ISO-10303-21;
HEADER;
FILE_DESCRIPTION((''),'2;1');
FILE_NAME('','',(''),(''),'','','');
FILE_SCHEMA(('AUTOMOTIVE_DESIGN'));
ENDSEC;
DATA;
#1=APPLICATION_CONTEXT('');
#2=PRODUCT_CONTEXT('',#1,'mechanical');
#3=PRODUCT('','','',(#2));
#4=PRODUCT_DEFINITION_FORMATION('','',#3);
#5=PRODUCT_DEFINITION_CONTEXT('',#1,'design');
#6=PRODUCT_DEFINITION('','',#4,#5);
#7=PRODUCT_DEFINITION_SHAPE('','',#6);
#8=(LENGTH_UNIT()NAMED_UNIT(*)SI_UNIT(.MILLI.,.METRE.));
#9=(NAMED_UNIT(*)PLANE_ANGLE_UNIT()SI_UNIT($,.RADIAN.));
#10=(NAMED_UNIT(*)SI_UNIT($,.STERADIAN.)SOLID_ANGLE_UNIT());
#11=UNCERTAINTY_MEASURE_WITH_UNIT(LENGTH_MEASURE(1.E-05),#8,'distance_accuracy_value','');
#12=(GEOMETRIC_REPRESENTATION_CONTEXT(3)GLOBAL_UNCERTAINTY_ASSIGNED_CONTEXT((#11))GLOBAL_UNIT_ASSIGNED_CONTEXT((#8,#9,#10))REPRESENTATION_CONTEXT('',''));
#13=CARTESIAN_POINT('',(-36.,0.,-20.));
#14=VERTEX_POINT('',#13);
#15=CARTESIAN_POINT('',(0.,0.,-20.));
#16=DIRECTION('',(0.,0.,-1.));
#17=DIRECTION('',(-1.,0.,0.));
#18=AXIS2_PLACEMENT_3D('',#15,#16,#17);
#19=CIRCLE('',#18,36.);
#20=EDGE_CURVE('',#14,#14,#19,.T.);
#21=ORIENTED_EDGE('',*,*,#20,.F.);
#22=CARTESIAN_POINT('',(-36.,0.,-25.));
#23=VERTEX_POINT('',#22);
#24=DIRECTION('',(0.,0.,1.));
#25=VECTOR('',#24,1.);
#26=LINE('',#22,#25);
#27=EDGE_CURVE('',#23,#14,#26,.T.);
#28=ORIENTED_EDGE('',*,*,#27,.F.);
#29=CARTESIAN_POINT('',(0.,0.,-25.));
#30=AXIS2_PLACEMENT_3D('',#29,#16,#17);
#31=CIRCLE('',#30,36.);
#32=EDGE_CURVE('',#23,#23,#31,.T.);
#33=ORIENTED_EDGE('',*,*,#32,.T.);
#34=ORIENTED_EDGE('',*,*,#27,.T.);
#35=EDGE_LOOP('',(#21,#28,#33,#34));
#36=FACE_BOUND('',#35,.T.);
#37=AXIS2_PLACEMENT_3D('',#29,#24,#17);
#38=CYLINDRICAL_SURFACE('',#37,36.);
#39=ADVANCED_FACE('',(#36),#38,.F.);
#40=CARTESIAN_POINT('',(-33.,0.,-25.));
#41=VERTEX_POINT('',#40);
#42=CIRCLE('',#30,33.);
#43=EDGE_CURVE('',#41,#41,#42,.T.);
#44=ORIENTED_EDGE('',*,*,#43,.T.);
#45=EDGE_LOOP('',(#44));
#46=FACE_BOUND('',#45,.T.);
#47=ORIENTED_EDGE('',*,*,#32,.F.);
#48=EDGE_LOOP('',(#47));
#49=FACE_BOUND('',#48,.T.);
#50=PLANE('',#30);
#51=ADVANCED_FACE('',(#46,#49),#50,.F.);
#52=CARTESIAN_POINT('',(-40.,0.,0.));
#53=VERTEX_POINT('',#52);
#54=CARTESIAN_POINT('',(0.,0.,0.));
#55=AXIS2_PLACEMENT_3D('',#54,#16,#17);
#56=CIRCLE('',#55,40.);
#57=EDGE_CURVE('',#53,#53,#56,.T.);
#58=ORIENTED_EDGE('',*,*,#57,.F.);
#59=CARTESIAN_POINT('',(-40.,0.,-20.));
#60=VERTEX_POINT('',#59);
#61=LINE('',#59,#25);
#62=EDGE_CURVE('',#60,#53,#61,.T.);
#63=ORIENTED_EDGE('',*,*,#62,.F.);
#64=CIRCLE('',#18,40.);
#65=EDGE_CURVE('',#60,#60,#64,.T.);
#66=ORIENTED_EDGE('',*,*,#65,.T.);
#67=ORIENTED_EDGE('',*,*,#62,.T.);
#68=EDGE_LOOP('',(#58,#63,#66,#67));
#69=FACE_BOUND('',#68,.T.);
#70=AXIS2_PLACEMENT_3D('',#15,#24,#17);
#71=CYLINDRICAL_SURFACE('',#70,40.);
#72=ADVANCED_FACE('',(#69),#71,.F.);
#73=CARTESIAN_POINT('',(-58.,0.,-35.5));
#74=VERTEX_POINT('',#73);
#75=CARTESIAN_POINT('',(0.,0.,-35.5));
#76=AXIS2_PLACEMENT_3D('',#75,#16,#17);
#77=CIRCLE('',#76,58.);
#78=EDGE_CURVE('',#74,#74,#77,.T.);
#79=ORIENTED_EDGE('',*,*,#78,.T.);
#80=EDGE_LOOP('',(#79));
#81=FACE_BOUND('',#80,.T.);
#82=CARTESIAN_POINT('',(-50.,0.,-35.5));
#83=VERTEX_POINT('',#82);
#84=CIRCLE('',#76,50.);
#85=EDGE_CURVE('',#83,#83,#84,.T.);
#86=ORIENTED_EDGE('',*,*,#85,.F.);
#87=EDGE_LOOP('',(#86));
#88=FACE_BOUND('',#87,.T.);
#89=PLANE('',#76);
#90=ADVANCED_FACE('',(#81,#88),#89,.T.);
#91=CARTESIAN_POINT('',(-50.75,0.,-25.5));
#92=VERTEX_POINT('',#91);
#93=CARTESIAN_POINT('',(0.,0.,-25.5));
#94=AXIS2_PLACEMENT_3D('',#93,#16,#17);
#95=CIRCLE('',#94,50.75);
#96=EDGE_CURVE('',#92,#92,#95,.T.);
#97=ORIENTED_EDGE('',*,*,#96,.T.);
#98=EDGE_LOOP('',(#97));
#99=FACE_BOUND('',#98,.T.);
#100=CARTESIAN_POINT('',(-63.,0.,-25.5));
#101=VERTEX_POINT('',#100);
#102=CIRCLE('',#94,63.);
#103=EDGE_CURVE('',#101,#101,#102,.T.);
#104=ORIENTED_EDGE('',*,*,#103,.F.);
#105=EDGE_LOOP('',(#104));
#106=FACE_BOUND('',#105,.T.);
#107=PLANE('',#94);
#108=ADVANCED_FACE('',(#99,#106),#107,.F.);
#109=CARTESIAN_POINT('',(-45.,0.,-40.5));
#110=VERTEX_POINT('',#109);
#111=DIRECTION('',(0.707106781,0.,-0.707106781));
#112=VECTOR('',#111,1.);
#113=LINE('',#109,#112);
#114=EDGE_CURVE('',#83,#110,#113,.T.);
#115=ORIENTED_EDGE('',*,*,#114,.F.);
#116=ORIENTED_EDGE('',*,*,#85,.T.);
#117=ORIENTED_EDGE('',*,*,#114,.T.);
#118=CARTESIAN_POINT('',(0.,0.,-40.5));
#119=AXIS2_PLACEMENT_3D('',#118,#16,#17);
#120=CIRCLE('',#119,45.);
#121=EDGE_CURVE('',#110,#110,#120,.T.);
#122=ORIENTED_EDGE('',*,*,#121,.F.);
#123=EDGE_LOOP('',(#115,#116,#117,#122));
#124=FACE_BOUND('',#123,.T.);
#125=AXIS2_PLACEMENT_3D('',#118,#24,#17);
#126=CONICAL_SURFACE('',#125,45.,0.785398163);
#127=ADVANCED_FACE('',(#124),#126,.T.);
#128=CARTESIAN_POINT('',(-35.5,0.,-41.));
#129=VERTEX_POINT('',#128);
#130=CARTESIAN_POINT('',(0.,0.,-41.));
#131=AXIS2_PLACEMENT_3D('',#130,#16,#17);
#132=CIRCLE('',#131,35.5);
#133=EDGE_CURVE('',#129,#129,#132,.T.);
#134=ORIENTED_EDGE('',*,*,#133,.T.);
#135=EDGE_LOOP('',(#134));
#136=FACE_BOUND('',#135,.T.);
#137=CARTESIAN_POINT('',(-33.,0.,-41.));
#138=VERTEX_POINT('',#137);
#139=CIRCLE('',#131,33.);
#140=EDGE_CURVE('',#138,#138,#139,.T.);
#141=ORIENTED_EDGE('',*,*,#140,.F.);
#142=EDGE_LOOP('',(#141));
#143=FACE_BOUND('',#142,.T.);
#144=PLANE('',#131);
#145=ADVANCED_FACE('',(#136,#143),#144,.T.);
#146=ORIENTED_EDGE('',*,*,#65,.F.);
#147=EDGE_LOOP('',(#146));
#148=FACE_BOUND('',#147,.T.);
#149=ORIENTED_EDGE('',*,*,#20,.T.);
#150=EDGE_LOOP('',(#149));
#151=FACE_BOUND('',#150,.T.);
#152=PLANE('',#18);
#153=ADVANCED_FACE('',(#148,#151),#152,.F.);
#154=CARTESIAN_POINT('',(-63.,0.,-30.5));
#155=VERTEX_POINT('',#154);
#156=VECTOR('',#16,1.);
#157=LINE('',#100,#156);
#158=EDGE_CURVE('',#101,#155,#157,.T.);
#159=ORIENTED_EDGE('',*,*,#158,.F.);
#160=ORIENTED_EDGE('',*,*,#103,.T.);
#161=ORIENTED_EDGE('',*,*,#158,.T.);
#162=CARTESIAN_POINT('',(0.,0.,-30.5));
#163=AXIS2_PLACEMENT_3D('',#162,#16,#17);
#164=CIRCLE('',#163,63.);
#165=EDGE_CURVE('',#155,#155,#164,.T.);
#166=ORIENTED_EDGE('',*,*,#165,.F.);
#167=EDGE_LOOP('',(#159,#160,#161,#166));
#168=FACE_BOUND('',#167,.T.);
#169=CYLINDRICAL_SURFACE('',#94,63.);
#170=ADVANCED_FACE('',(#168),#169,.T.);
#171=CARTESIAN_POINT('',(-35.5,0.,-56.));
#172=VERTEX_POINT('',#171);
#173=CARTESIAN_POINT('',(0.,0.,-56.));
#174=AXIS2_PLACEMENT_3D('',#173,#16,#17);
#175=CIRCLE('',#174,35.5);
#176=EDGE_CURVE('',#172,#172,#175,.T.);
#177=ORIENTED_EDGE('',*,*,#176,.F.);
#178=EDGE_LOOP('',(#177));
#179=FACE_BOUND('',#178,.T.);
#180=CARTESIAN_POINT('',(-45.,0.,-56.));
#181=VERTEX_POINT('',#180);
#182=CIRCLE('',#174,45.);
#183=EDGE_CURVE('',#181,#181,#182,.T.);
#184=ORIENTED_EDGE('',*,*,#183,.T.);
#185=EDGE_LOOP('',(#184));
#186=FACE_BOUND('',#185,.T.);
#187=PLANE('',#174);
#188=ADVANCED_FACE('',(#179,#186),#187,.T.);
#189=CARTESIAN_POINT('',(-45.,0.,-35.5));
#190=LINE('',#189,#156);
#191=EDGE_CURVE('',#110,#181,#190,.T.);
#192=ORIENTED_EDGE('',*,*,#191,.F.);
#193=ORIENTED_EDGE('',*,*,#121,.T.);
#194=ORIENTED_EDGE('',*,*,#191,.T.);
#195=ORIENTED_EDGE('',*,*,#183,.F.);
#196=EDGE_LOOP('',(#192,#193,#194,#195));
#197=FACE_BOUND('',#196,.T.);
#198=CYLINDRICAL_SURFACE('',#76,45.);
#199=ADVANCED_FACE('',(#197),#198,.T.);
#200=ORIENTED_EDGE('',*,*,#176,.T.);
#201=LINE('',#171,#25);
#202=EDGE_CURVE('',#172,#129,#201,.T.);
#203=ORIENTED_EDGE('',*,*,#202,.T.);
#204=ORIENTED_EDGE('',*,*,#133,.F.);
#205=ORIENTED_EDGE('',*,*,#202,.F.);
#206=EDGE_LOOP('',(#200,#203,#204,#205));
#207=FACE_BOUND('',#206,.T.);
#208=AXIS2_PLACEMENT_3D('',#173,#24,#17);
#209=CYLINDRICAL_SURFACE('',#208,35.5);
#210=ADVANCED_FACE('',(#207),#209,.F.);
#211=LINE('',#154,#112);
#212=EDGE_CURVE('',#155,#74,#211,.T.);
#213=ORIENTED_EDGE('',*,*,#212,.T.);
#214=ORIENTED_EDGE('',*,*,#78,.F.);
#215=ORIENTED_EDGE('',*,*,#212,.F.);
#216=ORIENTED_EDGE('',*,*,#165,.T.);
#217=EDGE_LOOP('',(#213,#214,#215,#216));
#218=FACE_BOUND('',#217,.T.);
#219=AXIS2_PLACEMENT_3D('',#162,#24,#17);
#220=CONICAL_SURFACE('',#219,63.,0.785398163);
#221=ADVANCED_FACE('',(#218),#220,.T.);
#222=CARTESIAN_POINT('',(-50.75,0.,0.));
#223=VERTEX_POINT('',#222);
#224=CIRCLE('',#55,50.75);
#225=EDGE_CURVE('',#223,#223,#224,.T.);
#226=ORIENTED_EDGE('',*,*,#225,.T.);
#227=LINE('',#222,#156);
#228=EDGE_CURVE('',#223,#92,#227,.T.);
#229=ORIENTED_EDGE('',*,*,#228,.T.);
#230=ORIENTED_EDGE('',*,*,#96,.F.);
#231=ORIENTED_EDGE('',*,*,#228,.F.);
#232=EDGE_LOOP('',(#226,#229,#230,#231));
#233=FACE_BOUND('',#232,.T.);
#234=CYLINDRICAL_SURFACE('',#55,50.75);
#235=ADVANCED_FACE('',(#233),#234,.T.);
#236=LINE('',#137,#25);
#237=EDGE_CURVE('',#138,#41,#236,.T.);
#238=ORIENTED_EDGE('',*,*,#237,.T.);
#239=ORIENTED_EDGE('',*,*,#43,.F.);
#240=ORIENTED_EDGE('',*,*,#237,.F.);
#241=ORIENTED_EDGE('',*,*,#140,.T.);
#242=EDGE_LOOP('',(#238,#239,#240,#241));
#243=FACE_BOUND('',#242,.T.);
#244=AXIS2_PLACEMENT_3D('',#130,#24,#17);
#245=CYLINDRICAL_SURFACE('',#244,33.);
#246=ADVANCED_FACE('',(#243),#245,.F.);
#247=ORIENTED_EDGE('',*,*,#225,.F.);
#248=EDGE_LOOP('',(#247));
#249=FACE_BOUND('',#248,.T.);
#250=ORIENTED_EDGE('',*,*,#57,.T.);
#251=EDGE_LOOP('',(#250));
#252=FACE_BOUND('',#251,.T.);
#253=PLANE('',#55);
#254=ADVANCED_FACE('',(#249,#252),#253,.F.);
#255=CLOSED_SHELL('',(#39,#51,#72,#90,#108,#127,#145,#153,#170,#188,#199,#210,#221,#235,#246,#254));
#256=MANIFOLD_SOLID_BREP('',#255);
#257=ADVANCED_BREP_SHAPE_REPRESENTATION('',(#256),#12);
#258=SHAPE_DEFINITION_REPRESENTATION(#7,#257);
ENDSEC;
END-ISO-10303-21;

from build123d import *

# Parameters (mm, degrees)
F2_SIZE = 5


with BuildPart() as f1:
    # F0 (on Front) → F1 (revolve)
    with BuildSketch(Plane.XZ):
        Polygon((-40, -20), (-40, 0), (-50.75, 0), (-50.75, -25.5), (-63, -25.5), (-63, -35.5), (-45, -35.5), (-45, -56), (-35.5, -56), (-35.5, -41), (-33, -41), (-33, -25), (-36, -25), (-36, -20), align=None)
    revolve(axis=Axis((0, 0, -28), (0, 0, -1)))

    # F2
    f2_edges = [f1.edges().sort_by_distance(p)[0] for p in [
        (63, 0, -35.5),
        (45, 0, -35.5),
    ]]
    chamfer(f2_edges, length=F2_SIZE)


solid = f1.part
